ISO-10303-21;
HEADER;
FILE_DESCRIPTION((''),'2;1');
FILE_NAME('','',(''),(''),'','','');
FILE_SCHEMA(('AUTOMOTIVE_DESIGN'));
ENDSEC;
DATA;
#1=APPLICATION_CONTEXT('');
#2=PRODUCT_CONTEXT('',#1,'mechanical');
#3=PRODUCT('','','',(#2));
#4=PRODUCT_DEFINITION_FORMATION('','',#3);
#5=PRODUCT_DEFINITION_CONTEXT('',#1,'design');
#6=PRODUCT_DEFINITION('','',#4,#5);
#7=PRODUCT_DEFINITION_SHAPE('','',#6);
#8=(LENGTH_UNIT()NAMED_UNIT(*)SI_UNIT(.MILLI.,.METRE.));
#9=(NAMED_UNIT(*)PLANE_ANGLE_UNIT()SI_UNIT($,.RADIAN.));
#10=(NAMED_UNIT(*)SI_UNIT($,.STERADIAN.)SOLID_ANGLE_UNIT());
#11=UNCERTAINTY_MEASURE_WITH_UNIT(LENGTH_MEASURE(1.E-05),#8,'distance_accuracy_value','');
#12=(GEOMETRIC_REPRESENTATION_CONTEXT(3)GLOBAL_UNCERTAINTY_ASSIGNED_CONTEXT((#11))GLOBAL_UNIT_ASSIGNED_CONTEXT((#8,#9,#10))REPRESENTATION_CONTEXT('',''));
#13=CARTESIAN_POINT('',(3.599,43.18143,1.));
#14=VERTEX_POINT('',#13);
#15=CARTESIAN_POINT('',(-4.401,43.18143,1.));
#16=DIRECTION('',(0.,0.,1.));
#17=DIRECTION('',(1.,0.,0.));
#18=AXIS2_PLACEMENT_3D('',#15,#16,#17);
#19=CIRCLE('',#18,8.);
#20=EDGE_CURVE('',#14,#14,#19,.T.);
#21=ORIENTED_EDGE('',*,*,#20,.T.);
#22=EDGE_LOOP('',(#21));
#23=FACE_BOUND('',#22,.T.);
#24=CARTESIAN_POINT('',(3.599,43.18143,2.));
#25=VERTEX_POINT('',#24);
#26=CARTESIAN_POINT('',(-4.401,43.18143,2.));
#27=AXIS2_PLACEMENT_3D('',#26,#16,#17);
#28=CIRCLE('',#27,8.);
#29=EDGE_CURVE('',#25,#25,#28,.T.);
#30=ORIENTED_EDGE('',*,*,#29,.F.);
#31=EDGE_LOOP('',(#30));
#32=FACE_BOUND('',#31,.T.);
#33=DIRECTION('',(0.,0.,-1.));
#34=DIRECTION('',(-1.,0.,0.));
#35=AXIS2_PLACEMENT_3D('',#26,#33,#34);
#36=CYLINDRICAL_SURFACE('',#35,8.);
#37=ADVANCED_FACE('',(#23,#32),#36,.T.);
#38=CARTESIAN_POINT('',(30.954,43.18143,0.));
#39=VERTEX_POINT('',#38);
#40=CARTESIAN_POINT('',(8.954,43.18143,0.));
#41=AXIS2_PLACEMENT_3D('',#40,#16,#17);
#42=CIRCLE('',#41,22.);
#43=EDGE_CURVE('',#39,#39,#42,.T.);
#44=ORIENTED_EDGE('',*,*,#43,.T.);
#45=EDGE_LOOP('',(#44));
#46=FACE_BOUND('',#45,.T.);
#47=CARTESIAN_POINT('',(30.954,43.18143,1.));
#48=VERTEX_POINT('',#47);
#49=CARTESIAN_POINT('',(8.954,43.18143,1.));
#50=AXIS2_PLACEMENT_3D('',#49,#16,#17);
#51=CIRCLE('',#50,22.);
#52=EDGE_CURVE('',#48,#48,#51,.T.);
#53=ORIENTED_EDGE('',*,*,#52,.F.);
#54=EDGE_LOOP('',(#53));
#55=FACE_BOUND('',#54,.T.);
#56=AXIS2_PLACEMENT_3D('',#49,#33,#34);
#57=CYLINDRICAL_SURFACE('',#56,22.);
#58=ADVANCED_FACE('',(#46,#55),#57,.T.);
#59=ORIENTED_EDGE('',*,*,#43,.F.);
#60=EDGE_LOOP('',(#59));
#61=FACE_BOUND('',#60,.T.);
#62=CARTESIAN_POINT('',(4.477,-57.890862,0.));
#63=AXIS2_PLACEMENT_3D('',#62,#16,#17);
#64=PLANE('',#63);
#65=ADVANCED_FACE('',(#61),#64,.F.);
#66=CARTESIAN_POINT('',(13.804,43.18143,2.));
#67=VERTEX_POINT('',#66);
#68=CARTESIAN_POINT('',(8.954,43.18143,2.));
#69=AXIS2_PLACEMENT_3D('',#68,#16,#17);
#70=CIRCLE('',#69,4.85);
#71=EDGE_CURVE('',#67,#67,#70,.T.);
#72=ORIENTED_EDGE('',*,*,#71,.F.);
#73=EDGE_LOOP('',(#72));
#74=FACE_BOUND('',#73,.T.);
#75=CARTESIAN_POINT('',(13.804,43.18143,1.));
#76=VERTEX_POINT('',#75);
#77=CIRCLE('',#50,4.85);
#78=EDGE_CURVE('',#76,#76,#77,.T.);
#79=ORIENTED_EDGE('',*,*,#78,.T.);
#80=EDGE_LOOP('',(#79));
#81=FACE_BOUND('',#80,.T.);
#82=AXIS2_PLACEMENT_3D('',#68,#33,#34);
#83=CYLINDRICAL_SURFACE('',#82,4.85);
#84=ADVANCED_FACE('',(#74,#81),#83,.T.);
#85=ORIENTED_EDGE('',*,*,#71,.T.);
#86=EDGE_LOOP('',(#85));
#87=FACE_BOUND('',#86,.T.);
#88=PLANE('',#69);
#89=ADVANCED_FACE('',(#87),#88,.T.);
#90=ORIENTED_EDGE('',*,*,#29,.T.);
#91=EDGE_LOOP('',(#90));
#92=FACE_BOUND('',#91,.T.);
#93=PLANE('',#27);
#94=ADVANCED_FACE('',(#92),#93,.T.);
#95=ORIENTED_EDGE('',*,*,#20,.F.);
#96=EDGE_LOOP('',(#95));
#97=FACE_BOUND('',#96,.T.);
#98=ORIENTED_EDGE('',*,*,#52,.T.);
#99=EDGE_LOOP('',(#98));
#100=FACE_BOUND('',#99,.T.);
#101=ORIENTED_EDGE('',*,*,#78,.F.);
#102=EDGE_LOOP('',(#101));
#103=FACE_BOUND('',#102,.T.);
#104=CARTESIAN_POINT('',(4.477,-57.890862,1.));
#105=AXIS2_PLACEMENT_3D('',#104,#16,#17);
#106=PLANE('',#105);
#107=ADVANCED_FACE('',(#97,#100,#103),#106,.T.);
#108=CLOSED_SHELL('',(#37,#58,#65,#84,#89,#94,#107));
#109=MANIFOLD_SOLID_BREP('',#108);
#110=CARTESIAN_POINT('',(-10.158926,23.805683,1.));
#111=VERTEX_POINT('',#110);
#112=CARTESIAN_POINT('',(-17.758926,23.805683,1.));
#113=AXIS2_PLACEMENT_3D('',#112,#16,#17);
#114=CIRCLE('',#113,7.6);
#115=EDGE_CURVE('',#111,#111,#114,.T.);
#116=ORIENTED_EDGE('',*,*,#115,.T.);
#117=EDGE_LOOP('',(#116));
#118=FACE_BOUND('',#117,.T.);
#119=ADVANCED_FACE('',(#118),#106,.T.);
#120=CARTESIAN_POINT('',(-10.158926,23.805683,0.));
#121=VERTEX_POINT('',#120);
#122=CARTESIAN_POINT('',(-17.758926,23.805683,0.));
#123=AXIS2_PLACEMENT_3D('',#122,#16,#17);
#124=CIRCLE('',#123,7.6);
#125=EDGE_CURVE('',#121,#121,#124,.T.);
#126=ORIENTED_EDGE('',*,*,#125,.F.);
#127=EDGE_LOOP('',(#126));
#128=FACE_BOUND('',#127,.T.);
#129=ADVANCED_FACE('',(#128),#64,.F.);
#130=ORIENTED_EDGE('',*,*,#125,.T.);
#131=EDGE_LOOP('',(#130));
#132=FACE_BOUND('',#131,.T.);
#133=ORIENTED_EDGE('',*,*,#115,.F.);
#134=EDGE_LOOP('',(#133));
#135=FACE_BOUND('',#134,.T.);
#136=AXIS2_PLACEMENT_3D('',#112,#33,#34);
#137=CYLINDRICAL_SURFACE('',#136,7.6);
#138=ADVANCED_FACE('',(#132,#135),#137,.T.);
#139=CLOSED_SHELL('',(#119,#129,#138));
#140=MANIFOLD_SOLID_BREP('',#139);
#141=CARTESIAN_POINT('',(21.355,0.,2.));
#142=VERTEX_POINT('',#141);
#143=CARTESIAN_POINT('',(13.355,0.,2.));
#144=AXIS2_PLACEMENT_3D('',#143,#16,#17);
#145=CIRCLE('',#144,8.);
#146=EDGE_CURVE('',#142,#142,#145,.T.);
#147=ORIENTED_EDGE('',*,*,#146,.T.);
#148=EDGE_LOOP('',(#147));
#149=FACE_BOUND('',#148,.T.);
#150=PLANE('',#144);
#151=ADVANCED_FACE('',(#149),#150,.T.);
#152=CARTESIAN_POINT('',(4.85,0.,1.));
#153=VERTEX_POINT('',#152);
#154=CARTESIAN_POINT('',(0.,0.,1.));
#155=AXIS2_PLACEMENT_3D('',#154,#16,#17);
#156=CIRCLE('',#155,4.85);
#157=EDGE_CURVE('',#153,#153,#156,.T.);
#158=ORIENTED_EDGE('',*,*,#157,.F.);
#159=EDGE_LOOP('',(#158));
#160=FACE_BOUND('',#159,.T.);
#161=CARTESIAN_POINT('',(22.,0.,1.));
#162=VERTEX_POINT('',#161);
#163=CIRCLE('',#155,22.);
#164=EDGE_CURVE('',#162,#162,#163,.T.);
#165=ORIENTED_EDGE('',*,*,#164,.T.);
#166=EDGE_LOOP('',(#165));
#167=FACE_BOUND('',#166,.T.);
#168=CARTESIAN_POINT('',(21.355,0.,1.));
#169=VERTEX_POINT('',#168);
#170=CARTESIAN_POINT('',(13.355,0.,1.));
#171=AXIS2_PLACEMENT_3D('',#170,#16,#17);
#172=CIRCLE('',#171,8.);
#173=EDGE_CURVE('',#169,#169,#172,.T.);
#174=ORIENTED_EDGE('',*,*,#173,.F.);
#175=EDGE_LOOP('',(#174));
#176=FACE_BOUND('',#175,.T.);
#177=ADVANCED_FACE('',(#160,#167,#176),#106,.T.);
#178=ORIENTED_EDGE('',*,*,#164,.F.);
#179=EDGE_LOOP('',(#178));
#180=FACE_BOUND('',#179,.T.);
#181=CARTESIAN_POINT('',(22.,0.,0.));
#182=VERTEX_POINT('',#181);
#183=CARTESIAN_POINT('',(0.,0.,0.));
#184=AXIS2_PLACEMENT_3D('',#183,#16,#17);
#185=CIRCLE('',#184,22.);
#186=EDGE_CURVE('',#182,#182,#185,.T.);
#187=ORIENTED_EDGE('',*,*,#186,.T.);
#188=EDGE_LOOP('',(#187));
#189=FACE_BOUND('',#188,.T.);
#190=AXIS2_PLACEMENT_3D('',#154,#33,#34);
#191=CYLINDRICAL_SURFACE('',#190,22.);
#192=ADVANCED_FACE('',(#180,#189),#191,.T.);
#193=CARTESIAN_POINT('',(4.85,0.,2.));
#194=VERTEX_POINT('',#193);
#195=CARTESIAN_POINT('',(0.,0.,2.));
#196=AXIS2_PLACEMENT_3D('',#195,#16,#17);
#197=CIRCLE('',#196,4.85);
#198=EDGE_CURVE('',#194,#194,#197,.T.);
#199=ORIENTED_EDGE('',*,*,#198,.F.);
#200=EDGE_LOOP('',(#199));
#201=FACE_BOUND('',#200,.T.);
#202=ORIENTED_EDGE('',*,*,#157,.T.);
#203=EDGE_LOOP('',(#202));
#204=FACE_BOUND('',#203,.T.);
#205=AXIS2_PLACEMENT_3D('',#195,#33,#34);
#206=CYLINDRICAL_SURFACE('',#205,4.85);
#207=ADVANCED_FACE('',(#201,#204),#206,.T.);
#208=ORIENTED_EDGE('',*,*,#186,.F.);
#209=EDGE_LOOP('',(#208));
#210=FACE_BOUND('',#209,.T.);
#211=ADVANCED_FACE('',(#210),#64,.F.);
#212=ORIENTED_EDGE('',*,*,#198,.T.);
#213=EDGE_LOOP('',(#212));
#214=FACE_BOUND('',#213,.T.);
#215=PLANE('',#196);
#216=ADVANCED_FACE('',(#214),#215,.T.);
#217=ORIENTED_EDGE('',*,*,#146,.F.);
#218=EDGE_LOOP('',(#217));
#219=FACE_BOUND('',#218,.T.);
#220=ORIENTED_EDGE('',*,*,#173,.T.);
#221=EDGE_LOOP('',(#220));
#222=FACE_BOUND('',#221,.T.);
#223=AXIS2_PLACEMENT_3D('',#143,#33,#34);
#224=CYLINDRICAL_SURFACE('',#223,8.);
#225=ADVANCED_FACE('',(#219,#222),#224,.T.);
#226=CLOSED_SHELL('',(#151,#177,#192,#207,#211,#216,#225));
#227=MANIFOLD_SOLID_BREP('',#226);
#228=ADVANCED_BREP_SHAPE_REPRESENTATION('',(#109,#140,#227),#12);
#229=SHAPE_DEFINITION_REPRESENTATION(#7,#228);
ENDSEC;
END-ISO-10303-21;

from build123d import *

# Parameters (mm, degrees)
ESBO_O2_R                  = 22
RESSALTO_EXTRUS_O1_DEPTH   = 1
RESSALTO_EXTRUS_O1_2_DEPTH = 1
ESBO_O2_R_2                = 7.6
RESSALTO_EXTRUS_O1_3_DEPTH = 1
ESBO_O3_R                  = 4.85
ESBO_O3_R_2                = 8
RESSALTO_EXTRUS_O2_DEPTH   = 1


with BuildPart() as part:
    # Esboço2 → Ressalto-extrusão1 (new body)
    with BuildSketch(Plane.XY):
        Circle(ESBO_O2_R)
    extrude(amount=RESSALTO_EXTRUS_O1_DEPTH)



with BuildPart() as body_2:
    # Esboço2 → Ressalto-extrus_o1 2 (new body)
    with BuildSketch(Plane.XY):
        with Locations((8.954, 43.181429851)):
            Circle(ESBO_O2_R)
    extrude(amount=RESSALTO_EXTRUS_O1_2_DEPTH)


with BuildPart() as body_3:
    # Esboço2 → Ressalto-extrus_o1 3 (new body)
    with BuildSketch(Plane.XY):
        with Locations((-17.758926266, 23.80568289)):
            Circle(ESBO_O2_R_2)
    extrude(amount=RESSALTO_EXTRUS_O1_3_DEPTH)


with BuildPart() as part_1:
    add(part.part)

    add(body_2.part)  # Ressalto-extrusão2 merges body 2
    # Esboço3 → Ressalto-extrusão2 (add)
    with BuildSketch(Plane.XY.offset(1)):
        with Locations((8.954, 43.181429851)):
            Circle(ESBO_O3_R)
        Circle(ESBO_O3_R)
        with Locations((-4.401, 43.181429851)):
            Circle(ESBO_O3_R_2)
        with Locations((13.355, 0)):
            Circle(ESBO_O3_R_2)
    extrude(amount=RESSALTO_EXTRUS_O2_DEPTH)


solid = Compound([body_3.part, part_1.part])
